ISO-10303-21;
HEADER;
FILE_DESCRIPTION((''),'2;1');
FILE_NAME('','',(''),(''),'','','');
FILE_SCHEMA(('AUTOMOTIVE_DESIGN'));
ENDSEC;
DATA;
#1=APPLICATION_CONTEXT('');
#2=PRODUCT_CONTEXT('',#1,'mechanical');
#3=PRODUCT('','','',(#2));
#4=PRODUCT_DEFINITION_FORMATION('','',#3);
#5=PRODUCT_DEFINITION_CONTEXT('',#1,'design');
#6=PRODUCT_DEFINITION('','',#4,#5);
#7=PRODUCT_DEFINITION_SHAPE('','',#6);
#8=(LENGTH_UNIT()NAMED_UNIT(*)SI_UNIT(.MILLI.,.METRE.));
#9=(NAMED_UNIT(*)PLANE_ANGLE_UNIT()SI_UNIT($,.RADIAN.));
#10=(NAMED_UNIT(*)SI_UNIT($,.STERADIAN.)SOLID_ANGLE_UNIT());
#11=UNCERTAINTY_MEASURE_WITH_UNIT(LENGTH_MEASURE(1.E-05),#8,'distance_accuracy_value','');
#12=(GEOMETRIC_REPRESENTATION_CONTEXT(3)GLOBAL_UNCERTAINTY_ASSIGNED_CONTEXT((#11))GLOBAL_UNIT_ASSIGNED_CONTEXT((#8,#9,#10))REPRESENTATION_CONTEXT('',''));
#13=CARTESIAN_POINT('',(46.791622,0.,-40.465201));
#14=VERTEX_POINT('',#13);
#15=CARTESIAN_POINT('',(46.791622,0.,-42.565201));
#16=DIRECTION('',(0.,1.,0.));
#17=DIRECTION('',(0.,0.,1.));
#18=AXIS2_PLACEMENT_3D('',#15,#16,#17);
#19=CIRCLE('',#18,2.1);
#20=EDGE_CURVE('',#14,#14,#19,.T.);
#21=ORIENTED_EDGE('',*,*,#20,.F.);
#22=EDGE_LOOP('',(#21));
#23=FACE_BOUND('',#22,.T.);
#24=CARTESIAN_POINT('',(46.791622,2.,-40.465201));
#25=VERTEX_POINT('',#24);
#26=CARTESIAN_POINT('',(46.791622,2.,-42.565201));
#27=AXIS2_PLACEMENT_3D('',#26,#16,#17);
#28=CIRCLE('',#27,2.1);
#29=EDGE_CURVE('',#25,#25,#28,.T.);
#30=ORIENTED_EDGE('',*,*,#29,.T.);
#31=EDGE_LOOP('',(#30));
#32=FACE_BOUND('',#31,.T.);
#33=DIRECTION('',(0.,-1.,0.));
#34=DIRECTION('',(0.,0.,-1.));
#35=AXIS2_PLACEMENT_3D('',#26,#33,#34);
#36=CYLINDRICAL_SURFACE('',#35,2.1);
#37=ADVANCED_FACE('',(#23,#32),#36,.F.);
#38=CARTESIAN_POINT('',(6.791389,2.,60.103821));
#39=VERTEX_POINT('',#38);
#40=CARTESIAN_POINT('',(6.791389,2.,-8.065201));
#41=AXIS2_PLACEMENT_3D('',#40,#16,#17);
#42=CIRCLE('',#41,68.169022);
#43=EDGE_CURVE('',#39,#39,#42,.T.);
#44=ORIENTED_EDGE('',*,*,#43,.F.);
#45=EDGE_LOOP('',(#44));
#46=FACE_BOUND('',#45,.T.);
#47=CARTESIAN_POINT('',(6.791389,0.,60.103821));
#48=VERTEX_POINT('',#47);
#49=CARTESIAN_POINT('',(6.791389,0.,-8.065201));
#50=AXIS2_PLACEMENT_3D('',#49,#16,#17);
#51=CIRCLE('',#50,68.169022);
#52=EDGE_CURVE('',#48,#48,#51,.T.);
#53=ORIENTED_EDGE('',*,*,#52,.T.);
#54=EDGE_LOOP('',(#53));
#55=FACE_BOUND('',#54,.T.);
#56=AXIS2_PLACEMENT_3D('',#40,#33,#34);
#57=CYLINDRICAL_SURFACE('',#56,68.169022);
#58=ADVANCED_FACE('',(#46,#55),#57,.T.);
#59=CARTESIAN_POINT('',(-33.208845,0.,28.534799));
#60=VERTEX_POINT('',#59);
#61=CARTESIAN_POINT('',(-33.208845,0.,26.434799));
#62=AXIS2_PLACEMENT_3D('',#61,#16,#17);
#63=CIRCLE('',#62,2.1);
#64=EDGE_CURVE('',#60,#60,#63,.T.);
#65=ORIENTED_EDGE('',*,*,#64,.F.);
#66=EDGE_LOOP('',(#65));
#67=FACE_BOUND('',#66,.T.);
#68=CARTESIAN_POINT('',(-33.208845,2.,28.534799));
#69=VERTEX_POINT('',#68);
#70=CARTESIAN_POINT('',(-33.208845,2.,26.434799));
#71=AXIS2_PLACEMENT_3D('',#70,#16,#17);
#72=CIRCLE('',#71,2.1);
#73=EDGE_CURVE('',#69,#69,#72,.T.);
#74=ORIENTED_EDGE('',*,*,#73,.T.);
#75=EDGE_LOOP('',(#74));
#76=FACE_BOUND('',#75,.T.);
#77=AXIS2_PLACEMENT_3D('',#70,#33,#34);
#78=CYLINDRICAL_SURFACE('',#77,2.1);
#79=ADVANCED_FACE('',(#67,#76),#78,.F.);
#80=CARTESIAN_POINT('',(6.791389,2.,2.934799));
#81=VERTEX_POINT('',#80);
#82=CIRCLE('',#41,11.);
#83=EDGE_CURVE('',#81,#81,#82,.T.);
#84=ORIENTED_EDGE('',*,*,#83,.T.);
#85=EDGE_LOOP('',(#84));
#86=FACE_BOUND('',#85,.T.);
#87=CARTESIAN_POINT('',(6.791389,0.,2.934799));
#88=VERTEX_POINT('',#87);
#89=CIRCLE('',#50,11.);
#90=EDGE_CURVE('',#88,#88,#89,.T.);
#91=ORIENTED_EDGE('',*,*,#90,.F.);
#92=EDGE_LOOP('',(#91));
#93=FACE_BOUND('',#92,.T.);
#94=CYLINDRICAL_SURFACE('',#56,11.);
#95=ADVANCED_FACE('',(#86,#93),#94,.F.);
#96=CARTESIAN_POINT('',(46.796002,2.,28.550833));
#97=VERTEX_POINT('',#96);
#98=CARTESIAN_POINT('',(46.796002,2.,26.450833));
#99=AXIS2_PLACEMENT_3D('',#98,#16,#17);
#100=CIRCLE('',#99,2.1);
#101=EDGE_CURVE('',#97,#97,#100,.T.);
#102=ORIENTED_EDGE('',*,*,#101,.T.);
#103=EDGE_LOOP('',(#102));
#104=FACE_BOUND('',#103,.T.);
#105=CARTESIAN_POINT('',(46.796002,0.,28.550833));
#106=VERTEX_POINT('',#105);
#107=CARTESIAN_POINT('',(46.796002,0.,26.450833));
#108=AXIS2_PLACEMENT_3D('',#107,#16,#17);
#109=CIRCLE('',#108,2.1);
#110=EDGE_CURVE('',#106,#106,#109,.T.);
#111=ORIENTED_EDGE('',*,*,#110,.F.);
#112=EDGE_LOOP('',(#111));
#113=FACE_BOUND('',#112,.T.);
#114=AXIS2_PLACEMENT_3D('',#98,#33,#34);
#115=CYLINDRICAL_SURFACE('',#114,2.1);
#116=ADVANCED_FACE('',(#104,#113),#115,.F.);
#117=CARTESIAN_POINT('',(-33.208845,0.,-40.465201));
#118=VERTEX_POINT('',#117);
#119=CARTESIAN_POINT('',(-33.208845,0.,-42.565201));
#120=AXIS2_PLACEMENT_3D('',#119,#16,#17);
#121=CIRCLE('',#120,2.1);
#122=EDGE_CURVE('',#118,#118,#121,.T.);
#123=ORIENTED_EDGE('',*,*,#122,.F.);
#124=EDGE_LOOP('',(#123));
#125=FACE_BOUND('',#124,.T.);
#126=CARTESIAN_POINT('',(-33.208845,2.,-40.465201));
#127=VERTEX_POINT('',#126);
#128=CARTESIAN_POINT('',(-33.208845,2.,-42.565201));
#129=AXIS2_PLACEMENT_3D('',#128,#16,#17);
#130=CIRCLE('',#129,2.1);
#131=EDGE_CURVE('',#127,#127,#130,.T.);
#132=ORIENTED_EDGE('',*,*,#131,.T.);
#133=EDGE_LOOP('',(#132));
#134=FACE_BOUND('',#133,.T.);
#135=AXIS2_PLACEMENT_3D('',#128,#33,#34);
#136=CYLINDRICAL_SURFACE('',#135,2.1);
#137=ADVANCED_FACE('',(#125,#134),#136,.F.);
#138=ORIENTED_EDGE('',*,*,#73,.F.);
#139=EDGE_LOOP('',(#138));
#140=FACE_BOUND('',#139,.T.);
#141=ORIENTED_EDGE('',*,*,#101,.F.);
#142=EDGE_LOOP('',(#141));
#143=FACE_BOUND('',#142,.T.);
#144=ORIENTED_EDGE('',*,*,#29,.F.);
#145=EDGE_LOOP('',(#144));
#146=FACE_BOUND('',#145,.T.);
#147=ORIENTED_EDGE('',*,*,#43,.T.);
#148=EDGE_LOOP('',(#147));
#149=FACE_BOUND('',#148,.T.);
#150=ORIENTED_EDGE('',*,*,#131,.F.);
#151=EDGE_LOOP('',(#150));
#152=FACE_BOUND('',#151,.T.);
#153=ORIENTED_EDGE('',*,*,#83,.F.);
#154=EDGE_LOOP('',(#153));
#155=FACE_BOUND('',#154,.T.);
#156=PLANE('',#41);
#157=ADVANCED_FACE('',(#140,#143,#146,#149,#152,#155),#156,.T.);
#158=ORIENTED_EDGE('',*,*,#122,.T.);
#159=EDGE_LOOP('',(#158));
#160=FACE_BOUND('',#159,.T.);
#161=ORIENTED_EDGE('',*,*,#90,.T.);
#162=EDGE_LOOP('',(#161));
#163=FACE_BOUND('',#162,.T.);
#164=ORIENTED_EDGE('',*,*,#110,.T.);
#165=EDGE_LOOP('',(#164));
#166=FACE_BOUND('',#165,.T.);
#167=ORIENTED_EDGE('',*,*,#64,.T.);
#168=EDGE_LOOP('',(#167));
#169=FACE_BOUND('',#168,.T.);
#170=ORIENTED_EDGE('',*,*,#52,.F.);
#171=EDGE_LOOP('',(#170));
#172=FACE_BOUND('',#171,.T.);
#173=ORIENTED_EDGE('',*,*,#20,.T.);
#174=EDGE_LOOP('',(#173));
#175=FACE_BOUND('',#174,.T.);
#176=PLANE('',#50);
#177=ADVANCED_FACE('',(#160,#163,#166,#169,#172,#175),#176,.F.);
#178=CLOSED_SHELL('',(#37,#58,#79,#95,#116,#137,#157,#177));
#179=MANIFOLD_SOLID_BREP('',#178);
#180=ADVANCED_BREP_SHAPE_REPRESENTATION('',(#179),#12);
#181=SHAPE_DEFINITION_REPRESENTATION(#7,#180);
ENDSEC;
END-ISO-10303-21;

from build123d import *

# Parameters (mm, degrees)
SKETCH1_R           = 68.169021696
SKETCH1_R_2         = 2.1
SKETCH1_R_3         = 11
BOSS_EXTRUDE1_DEPTH = 2


with BuildPart() as part:
    # Sketch1 → Boss-Extrude1 (new body)
    with BuildSketch(Plane(origin=(0, 0, 0), x_dir=(1, 0, 0), z_dir=(0, 1, 0))):
        with Locations(Location((6.791388554, 8.065201027, 0), (0, 0, 270))):
            Circle(SKETCH1_R)
        with Locations(Location((-33.208844607, 42.565201027, 0), (0, 0, 270))):
            Circle(SKETCH1_R_2, mode=Mode.SUBTRACT)
        with Locations(Location((46.791621715, 42.565201027, 0), (0, 0, 270))):
            Circle(SKETCH1_R_2, mode=Mode.SUBTRACT)
        with Locations(Location((-33.208844607, -26.434798973, 0), (0, 0, 270))):
            Circle(SKETCH1_R_2, mode=Mode.SUBTRACT)
        with Locations(Location((46.796001818, -26.45083277, 0), (0, 0, 270))):
            Circle(SKETCH1_R_2, mode=Mode.SUBTRACT)
        with Locations(Location((6.791388554, 8.065201027, 0), (0, 0, 270))):
            Circle(SKETCH1_R_3, mode=Mode.SUBTRACT)
    extrude(amount=BOSS_EXTRUDE1_DEPTH)


solid = part.part
